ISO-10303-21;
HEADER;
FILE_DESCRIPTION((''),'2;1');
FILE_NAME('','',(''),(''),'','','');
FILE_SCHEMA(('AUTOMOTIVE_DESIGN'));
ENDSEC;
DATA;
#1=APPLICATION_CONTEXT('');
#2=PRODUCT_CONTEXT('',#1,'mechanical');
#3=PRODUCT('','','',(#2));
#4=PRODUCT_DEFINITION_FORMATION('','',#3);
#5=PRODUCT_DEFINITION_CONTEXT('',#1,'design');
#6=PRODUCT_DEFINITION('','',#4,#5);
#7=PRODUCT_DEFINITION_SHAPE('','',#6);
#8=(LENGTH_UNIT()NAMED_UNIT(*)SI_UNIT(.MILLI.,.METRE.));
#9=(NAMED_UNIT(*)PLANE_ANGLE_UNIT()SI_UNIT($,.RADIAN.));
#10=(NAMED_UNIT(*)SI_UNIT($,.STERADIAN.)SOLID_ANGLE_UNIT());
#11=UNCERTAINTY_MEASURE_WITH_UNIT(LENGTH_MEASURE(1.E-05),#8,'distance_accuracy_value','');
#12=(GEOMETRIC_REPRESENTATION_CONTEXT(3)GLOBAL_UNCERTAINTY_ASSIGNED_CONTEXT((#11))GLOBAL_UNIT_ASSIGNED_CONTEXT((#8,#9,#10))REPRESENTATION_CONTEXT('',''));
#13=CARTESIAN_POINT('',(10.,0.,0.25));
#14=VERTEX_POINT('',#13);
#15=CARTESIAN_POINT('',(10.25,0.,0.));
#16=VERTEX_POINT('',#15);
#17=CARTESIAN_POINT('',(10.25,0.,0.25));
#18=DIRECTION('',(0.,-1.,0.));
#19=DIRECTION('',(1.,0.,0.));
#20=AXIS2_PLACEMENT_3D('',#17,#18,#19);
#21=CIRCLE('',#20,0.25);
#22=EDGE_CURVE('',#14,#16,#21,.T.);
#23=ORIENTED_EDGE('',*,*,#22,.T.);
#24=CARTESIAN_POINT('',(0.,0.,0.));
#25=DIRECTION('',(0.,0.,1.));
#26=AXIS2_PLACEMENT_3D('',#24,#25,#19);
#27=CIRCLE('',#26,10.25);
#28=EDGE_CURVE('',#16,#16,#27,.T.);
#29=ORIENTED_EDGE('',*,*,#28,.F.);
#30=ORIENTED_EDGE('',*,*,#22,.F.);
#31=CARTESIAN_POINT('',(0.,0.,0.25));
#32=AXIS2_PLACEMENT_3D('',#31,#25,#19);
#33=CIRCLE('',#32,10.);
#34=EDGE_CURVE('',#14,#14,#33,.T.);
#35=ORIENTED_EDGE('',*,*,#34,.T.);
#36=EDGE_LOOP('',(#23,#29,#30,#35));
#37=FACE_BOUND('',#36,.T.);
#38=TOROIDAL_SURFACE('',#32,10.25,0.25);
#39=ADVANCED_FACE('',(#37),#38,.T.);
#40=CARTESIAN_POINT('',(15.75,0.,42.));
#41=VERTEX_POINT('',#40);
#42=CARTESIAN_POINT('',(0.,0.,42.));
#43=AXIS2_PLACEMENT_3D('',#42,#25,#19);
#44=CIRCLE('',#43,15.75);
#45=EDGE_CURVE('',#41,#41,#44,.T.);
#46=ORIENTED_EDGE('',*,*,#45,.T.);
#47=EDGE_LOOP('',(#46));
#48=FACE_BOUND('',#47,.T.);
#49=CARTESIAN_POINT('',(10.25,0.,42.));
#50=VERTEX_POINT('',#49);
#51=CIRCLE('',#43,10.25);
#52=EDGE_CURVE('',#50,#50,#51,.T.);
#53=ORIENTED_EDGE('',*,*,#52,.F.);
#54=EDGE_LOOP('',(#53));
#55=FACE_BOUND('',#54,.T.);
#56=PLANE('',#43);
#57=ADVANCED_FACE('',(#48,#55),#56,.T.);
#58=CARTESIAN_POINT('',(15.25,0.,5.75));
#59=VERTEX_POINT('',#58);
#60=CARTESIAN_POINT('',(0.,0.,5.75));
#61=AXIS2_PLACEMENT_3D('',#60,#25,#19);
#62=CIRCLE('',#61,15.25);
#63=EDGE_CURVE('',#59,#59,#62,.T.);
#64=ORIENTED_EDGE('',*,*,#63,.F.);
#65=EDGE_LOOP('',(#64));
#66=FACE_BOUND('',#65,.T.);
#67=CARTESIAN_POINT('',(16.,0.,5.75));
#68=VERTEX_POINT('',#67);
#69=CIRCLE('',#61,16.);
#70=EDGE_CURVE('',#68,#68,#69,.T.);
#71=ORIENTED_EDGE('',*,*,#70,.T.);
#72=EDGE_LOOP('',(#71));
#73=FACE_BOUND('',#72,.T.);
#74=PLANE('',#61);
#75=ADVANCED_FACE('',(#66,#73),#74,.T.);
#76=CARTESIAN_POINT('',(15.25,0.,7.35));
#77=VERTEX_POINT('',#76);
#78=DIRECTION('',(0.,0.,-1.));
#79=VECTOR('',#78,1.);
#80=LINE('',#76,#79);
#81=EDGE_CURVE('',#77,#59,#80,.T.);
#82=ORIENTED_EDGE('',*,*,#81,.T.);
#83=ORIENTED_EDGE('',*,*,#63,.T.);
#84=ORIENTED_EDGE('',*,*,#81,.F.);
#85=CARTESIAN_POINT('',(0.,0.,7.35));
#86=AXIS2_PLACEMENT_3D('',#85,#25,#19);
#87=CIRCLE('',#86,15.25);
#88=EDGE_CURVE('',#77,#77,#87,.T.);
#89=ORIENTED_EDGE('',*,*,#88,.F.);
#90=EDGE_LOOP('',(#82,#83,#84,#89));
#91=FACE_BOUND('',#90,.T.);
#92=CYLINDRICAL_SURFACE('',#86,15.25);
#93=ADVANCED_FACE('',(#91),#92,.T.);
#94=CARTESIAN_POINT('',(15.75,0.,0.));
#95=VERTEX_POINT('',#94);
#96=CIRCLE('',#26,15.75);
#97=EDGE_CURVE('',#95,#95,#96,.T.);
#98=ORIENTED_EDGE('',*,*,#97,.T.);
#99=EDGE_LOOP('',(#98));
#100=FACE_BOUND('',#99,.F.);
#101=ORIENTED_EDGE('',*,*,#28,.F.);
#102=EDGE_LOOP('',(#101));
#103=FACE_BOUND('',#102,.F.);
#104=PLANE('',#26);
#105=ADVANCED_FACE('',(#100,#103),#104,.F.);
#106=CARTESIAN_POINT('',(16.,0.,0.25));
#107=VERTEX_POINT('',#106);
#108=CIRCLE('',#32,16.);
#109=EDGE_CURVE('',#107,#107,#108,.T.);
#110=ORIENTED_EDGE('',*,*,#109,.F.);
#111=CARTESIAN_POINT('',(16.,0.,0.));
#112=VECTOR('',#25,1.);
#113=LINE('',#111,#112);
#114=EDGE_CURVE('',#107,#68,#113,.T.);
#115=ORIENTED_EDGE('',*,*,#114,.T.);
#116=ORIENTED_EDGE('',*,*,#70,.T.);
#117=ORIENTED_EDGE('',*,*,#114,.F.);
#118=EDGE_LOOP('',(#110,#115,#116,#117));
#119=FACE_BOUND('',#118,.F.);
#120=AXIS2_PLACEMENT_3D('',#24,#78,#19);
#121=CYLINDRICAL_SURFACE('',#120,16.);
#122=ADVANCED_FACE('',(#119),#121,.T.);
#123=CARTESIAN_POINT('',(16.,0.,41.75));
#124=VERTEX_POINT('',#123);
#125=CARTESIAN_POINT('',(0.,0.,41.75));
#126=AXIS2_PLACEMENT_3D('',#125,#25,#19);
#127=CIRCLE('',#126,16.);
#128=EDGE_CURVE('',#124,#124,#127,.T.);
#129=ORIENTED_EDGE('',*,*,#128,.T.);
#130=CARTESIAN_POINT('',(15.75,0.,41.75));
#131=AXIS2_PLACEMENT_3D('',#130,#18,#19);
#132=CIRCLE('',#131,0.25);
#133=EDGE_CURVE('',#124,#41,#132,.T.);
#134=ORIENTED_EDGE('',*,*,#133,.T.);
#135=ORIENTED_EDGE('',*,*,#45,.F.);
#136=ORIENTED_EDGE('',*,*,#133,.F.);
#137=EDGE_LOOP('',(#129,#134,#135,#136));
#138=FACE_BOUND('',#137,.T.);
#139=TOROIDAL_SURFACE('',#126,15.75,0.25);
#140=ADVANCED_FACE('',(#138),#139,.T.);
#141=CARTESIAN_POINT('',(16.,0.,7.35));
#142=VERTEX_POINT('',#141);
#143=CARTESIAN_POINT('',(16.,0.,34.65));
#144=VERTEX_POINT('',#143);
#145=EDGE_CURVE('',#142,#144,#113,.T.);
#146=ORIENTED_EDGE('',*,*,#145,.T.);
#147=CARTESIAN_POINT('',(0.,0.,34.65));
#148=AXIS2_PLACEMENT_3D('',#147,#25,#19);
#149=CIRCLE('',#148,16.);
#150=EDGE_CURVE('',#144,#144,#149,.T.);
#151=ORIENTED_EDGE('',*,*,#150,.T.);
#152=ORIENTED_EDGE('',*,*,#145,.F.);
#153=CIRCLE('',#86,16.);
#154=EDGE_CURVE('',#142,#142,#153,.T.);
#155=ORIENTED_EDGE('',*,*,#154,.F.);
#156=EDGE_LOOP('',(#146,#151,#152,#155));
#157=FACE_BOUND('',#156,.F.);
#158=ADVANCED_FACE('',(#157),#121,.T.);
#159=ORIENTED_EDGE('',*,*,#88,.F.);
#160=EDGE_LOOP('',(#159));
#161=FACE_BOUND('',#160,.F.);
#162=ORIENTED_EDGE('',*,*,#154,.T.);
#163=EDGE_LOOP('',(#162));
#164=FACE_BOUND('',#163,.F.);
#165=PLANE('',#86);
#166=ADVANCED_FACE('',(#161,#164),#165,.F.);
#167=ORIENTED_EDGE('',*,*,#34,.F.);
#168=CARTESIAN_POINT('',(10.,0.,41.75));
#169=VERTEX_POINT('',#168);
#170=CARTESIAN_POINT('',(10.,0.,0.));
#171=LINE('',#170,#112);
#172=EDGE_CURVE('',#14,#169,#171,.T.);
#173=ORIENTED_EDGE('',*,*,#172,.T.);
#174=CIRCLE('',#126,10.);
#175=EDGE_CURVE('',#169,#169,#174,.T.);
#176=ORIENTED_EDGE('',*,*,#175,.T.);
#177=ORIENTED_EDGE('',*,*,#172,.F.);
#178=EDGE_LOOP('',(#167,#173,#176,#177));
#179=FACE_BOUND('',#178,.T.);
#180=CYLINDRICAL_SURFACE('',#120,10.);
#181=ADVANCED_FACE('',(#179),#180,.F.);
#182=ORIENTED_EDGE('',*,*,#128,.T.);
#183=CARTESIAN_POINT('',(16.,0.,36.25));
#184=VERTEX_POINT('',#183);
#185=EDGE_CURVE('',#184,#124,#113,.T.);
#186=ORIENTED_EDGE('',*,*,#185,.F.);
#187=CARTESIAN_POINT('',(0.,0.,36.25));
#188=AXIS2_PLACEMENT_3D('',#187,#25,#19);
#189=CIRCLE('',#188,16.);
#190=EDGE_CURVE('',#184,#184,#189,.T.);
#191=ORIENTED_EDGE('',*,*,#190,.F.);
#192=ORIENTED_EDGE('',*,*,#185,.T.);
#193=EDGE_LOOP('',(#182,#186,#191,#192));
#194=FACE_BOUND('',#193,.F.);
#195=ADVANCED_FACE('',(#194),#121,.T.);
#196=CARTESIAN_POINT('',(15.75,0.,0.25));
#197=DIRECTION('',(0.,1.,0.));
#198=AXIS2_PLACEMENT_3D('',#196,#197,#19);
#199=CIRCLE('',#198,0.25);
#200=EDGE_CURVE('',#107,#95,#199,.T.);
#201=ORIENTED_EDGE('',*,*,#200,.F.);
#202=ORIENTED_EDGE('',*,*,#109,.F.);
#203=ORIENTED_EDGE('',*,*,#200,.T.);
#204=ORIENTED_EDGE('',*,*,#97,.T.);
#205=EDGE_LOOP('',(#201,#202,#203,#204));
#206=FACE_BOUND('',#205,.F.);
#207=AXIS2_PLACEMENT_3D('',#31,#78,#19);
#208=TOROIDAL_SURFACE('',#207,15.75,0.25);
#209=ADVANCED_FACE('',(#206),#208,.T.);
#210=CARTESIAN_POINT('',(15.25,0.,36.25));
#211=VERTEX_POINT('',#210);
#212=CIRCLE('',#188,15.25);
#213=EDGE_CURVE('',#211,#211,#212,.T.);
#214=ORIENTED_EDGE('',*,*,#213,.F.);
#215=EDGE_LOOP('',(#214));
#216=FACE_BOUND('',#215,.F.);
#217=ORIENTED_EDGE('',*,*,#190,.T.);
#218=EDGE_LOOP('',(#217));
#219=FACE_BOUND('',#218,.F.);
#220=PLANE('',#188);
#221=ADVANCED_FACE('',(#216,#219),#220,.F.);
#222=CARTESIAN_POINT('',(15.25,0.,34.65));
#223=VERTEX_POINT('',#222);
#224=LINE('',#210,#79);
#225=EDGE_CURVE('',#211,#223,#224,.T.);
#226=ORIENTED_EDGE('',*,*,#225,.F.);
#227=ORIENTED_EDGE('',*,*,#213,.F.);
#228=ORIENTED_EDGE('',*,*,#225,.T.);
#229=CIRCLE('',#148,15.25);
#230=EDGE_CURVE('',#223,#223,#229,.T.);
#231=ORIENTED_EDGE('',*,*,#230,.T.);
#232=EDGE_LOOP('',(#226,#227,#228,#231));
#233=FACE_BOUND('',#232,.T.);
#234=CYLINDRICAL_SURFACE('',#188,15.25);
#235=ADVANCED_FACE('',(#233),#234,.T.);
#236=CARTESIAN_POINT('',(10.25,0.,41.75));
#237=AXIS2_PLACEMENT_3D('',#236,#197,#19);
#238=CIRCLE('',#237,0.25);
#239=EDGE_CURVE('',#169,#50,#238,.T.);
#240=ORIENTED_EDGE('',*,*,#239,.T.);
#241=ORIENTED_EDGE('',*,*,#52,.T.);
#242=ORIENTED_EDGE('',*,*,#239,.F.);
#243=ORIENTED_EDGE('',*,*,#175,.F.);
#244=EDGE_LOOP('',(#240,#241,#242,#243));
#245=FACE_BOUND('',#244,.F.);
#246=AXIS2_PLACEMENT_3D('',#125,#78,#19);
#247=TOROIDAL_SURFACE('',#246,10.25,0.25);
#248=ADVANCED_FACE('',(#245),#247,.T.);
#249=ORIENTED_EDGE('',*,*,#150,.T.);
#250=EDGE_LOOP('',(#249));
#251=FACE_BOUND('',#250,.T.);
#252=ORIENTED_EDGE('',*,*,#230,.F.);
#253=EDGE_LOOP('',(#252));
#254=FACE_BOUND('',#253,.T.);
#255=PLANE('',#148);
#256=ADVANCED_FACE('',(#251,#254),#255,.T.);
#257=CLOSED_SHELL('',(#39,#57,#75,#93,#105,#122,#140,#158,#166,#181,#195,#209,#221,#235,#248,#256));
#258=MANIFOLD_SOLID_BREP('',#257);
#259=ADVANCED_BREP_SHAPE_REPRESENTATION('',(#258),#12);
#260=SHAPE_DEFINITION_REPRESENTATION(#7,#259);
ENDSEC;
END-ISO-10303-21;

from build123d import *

# Parameters (mm, degrees)
F0_R     = 16
F0_R_2   = 10
F1_DEPTH = 42
F2_R     = 0.25
F4_START = -5.75
F3_R     = 16
F3_R_2   = 15.25
F4_DEPTH = 1.6
F5_START = -34.65
F5_DEPTH = 1.6


with BuildPart() as f1:
    # F0 (on Top) → F1 (new body)
    with BuildSketch(Plane.XY):
        Circle(F0_R)
        Circle(F0_R_2, mode=Mode.SUBTRACT)
    extrude(amount=F1_DEPTH)

    # F2
    f2_edges = [f1.edges().sort_by_distance(p)[0] for p in [
        (-16, 0, 42),
        (-10, 0, 42),
        (-16, 0, 0),
        (-10, 0, 0),
    ]]
    fillet(f2_edges, radius=F2_R)

    # F3 (on face) → F4 (cut)
    with BuildSketch(Plane.XY.offset(42).offset(F4_START)):
        Circle(F3_R)
        Circle(F3_R_2, mode=Mode.SUBTRACT)
    extrude(amount=-F4_DEPTH, mode=Mode.SUBTRACT)

    # F3 (on face) → F5 (cut)
    with BuildSketch(Plane.XY.offset(42).offset(F5_START)):
        Circle(F3_R)
        Circle(F3_R_2, mode=Mode.SUBTRACT)
    extrude(amount=-F5_DEPTH, mode=Mode.SUBTRACT)


solid = f1.part
